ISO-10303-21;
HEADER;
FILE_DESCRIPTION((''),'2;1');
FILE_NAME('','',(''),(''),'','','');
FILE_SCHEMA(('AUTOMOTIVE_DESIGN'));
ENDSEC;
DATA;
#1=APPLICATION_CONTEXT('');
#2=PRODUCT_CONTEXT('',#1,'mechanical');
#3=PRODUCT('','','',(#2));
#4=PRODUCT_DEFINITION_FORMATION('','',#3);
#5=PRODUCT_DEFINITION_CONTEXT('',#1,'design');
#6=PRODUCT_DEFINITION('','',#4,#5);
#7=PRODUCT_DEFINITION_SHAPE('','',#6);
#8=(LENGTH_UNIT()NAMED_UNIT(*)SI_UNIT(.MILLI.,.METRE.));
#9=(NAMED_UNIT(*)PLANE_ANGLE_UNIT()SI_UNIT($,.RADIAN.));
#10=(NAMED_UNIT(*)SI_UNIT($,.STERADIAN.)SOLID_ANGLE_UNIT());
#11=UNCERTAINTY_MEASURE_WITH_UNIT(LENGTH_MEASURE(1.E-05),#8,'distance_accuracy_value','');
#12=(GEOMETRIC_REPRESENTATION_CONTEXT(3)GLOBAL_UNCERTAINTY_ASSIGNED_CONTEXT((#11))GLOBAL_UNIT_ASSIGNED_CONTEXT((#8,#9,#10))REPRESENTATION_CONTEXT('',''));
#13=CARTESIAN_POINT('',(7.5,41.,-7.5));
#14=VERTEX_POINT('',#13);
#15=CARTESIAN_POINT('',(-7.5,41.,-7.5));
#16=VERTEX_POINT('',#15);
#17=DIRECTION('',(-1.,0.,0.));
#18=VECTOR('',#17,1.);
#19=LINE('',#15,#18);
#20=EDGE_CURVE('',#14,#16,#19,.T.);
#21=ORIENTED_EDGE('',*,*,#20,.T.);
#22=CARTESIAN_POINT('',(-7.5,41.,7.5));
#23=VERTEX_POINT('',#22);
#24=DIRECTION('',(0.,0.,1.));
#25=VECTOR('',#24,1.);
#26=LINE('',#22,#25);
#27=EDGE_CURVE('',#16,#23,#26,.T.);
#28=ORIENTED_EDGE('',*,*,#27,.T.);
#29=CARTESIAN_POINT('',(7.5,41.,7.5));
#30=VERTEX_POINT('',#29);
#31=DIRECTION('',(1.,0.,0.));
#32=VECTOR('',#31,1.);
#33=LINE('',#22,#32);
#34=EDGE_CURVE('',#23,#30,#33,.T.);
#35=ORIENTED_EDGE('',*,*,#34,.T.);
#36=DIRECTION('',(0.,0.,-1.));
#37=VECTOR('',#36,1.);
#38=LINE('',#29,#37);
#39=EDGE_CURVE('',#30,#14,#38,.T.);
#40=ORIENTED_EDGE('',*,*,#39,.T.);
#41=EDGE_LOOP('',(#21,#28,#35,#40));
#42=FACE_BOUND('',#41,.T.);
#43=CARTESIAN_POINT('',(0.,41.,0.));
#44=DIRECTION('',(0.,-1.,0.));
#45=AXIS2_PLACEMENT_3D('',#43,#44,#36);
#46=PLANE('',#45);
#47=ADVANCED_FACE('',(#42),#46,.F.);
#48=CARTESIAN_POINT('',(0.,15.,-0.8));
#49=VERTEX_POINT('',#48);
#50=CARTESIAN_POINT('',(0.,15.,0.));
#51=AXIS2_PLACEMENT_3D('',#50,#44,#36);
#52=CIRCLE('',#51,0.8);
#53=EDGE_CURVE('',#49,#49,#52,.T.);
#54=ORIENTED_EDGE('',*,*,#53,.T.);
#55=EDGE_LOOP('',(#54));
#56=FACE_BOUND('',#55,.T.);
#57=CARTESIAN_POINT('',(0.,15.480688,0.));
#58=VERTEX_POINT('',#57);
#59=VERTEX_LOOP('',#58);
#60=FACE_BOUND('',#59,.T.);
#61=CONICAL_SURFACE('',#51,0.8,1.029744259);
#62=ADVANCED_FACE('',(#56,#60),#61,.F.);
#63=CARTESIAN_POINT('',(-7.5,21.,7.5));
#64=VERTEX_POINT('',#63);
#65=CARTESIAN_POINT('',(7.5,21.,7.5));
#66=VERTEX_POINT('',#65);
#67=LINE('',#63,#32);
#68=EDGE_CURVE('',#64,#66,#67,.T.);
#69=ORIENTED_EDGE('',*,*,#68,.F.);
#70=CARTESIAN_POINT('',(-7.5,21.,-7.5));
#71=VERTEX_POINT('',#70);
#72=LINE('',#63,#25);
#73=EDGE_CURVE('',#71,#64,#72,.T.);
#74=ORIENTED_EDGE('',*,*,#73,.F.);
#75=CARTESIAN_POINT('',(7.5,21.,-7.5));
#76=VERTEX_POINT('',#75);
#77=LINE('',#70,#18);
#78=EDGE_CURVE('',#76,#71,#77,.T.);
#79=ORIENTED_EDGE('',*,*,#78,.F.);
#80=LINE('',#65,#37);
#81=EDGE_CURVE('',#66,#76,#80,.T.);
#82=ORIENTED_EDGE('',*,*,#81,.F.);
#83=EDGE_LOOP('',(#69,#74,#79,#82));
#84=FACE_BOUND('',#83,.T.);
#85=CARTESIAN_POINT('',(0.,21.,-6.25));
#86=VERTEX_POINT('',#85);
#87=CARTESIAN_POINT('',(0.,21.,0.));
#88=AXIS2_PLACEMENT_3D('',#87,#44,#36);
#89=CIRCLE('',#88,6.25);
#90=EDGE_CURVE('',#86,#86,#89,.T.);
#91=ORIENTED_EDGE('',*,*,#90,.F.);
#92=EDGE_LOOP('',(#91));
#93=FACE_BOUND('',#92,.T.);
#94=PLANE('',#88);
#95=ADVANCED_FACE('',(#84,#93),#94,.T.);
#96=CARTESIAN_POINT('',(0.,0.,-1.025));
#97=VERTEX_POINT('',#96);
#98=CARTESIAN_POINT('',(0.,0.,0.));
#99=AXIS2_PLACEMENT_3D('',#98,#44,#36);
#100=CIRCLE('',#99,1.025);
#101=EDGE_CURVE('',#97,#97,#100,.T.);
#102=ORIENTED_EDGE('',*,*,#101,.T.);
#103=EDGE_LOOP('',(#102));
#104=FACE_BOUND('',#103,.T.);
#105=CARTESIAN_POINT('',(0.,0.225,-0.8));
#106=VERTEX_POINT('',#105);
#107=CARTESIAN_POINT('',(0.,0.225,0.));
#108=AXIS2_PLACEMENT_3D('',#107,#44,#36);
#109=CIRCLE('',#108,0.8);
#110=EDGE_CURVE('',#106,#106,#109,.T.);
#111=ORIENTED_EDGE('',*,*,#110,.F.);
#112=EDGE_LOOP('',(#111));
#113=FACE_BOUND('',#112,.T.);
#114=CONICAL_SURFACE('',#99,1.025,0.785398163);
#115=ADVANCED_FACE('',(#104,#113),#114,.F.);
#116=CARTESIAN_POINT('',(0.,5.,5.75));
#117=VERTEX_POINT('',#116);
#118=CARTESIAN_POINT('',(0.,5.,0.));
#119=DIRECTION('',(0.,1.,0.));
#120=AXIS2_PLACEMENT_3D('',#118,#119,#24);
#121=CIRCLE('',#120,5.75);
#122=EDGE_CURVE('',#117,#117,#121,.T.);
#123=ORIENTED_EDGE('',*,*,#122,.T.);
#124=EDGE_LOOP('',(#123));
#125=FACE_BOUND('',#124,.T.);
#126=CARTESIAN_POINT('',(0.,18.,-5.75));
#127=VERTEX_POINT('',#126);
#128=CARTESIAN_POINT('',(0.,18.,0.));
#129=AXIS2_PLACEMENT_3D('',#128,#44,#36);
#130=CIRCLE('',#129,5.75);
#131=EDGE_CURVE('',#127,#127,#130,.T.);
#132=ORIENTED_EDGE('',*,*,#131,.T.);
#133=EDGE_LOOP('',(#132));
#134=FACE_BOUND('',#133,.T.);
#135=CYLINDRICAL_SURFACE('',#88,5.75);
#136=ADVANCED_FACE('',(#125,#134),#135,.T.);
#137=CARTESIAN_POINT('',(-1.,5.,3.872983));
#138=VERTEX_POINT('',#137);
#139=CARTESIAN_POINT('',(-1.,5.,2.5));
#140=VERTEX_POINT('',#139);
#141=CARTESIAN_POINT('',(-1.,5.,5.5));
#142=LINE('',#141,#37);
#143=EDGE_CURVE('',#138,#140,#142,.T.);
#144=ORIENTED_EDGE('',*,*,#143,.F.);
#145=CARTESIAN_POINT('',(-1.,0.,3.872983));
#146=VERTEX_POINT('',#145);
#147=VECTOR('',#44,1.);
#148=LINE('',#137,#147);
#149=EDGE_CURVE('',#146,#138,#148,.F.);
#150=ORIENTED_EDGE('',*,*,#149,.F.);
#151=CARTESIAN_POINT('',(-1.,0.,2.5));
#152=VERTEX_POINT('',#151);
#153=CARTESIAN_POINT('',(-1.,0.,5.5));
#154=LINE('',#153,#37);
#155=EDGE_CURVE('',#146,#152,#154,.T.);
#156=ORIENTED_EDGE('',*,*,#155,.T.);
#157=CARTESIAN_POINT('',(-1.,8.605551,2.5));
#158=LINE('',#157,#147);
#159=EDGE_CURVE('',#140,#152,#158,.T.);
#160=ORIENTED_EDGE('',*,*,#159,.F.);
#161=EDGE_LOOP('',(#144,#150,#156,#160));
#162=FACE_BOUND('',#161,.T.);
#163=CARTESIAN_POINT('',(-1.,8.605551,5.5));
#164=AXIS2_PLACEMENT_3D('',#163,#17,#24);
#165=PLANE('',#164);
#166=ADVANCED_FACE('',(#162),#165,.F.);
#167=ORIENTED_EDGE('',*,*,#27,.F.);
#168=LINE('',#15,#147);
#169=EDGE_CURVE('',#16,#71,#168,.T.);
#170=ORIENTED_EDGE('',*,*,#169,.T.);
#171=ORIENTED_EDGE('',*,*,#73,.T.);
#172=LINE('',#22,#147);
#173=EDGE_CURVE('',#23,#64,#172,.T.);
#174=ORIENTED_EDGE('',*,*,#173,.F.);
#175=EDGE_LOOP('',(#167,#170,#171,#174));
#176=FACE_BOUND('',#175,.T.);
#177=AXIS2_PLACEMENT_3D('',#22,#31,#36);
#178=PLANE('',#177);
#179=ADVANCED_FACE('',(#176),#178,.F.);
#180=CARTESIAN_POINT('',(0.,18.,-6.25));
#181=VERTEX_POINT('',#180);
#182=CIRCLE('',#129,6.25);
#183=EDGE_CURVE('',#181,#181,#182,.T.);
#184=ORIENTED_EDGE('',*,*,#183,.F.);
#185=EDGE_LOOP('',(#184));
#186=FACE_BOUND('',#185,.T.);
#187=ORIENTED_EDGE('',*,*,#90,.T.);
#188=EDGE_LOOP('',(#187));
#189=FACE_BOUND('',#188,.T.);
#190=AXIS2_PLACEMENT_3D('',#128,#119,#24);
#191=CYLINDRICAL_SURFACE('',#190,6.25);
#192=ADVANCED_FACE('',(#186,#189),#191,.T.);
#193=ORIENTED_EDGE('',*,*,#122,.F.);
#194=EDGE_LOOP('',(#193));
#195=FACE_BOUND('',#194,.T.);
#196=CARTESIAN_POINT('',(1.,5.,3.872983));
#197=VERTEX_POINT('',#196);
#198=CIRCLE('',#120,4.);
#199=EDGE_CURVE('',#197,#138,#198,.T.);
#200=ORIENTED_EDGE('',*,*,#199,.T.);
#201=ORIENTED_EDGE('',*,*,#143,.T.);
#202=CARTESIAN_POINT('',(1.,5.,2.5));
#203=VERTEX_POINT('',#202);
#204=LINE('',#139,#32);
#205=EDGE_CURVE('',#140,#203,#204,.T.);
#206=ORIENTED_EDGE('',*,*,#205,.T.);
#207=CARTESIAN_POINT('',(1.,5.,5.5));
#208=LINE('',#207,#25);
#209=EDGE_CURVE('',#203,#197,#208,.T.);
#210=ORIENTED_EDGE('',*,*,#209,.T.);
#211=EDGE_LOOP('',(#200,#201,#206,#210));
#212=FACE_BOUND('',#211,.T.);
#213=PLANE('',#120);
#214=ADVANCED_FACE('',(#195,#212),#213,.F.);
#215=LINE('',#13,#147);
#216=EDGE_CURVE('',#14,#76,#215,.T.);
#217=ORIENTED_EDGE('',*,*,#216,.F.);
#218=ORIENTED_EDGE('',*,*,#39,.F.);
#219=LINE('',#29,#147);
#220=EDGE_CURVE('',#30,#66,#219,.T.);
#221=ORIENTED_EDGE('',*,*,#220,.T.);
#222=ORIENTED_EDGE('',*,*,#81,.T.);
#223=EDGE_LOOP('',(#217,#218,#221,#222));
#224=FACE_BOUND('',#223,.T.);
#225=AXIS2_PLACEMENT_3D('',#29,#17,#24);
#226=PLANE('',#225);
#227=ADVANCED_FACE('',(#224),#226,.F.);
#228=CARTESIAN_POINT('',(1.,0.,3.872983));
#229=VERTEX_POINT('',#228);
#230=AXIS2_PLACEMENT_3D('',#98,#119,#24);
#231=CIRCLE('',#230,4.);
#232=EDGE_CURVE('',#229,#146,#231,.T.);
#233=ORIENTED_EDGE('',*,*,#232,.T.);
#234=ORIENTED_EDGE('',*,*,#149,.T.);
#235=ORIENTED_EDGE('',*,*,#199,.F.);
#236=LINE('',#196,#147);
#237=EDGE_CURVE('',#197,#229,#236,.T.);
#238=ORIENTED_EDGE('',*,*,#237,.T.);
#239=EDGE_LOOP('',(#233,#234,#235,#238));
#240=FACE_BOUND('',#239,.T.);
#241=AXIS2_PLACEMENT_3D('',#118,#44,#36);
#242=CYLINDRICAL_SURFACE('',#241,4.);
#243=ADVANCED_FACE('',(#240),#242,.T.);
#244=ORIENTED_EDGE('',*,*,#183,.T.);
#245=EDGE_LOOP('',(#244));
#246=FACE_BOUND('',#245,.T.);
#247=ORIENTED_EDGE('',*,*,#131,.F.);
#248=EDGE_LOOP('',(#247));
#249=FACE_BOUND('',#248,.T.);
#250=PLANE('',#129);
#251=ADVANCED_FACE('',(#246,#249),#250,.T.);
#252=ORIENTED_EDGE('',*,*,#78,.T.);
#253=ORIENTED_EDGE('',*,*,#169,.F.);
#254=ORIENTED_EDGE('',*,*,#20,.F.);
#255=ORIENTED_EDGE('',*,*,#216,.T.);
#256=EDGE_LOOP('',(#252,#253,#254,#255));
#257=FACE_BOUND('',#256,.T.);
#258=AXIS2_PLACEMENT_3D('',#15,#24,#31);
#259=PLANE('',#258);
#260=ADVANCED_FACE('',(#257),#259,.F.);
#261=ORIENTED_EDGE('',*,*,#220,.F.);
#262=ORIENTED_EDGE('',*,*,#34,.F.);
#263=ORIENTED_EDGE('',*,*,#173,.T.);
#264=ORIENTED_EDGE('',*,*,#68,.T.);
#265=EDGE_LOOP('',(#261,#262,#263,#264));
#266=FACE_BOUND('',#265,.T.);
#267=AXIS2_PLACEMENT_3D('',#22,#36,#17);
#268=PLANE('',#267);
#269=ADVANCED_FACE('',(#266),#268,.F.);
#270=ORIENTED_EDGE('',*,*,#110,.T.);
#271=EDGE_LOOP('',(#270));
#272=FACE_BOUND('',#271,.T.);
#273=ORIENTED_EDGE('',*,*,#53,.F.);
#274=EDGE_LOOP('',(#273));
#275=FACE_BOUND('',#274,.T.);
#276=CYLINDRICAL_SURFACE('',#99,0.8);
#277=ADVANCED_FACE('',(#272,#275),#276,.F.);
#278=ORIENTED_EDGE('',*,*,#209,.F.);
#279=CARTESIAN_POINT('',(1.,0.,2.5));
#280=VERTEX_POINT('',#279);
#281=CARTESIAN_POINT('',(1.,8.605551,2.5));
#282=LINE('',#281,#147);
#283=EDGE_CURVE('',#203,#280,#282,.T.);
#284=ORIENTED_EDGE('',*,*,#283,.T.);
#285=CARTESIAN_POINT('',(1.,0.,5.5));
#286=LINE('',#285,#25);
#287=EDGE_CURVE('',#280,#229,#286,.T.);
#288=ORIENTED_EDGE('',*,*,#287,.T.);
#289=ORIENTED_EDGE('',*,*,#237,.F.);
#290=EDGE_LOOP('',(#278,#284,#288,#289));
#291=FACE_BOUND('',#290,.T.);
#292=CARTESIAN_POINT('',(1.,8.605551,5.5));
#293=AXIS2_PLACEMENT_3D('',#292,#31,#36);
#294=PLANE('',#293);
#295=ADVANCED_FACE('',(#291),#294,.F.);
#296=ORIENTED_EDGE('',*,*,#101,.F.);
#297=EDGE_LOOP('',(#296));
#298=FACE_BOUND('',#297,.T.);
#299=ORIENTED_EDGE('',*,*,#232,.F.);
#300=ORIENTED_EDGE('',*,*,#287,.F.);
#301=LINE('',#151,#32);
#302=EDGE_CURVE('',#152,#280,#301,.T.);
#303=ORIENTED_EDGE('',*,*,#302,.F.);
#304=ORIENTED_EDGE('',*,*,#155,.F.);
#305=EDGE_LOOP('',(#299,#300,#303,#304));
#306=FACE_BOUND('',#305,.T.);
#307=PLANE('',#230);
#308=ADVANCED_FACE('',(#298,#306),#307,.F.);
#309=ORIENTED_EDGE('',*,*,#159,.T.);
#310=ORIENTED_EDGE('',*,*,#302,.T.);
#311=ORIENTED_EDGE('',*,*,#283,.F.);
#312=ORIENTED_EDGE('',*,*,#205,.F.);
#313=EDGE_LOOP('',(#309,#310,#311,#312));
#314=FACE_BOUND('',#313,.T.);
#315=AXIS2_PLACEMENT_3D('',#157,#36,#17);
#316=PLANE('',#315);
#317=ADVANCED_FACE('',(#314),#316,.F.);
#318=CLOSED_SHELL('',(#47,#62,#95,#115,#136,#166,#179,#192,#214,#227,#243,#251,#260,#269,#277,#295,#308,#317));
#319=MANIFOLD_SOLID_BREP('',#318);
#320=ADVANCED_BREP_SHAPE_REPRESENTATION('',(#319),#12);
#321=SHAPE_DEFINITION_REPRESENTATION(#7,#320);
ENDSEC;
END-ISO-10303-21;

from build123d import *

# Parameters (mm, degrees)
SKETCH2_R                       = 4
BOSS_EXTRUDE1_DEPTH             = 5
SKETCH3_R                       = 5.75
BOSS_EXTRUDE2_DEPTH             = 16
SKETCH4_W                       = 15
SKETCH4_H                       = 15
BOSS_EXTRUDE3_DEPTH             = 20
M2X0_4_TAPPED_HOLE1_D           = 1.6
M2X0_4_TAPPED_HOLE1_DEPTH       = 15
M2X0_4_TAPPED_HOLE1_CSINK_D     = 2.05
M2X0_4_TAPPED_HOLE1_CSINK_ANGLE = 90
M2X0_4_TAPPED_HOLE1_TIP         = 0.480688495
SKETCH10_R                      = 6.25
BOSS_EXTRUDE4_DEPTH             = 3
SKETCH11_W                      = 2
SKETCH11_H                      = 3
CUT_EXTRUDE2_DEPTH              = 5


with BuildPart() as part:
    # Sketch2 → Boss-Extrude1 (new body)
    with BuildSketch(Plane(origin=(0, 0, 0), x_dir=(1, 0, 0), z_dir=(0, 1, 0))):
        with Locations(Location((0, 0, 0), (0, 0, 270))):
            Circle(SKETCH2_R)
    extrude(amount=BOSS_EXTRUDE1_DEPTH)

    # Sketch3 → Boss-Extrude2 (add)
    with BuildSketch(Plane(origin=(0, 5, 0), x_dir=(1, 0, 0), z_dir=(0, 1, 0))):
        with Locations(Location((0, 0, 0), (0, 0, 270))):
            Circle(SKETCH3_R)
    extrude(amount=BOSS_EXTRUDE2_DEPTH)

    # Sketch4 → Boss-Extrude3 (add)
    with BuildSketch(Plane(origin=(0, 21, 0), x_dir=(1, 0, 0), z_dir=(0, 1, 0))):
        Rectangle(SKETCH4_W, SKETCH4_H)
    extrude(amount=BOSS_EXTRUDE3_DEPTH)

    # M2x0.4 Tapped Hole1
    with Locations(Plane(origin=(0, 0, 0), x_dir=(-1, 0, 0), z_dir=(0, -1, 0))):
        with Locations((0, 0)):
            CounterSinkHole(M2X0_4_TAPPED_HOLE1_D / 2, M2X0_4_TAPPED_HOLE1_CSINK_D / 2, depth=M2X0_4_TAPPED_HOLE1_DEPTH, counter_sink_angle=M2X0_4_TAPPED_HOLE1_CSINK_ANGLE)
            with Locations((0, 0, -(M2X0_4_TAPPED_HOLE1_DEPTH + M2X0_4_TAPPED_HOLE1_TIP / 2))):  # 118° drill point
                Cone(0, M2X0_4_TAPPED_HOLE1_D / 2, M2X0_4_TAPPED_HOLE1_TIP, mode=Mode.SUBTRACT)

    # Sketch10 → Boss-Extrude4 (add)
    with BuildSketch(Plane.XZ.offset(-21)):
        with Locations(Location((0, 0, 0), (0, 0, 270))):
            Circle(SKETCH10_R)
    extrude(amount=BOSS_EXTRUDE4_DEPTH)

    # Sketch11 → Cut-Extrude2 (cut)
    with BuildSketch(Plane.XZ):
        with Locations((0, 4)):
            Rectangle(SKETCH11_W, SKETCH11_H)
    extrude(amount=-CUT_EXTRUDE2_DEPTH, mode=Mode.SUBTRACT)


solid = part.part
